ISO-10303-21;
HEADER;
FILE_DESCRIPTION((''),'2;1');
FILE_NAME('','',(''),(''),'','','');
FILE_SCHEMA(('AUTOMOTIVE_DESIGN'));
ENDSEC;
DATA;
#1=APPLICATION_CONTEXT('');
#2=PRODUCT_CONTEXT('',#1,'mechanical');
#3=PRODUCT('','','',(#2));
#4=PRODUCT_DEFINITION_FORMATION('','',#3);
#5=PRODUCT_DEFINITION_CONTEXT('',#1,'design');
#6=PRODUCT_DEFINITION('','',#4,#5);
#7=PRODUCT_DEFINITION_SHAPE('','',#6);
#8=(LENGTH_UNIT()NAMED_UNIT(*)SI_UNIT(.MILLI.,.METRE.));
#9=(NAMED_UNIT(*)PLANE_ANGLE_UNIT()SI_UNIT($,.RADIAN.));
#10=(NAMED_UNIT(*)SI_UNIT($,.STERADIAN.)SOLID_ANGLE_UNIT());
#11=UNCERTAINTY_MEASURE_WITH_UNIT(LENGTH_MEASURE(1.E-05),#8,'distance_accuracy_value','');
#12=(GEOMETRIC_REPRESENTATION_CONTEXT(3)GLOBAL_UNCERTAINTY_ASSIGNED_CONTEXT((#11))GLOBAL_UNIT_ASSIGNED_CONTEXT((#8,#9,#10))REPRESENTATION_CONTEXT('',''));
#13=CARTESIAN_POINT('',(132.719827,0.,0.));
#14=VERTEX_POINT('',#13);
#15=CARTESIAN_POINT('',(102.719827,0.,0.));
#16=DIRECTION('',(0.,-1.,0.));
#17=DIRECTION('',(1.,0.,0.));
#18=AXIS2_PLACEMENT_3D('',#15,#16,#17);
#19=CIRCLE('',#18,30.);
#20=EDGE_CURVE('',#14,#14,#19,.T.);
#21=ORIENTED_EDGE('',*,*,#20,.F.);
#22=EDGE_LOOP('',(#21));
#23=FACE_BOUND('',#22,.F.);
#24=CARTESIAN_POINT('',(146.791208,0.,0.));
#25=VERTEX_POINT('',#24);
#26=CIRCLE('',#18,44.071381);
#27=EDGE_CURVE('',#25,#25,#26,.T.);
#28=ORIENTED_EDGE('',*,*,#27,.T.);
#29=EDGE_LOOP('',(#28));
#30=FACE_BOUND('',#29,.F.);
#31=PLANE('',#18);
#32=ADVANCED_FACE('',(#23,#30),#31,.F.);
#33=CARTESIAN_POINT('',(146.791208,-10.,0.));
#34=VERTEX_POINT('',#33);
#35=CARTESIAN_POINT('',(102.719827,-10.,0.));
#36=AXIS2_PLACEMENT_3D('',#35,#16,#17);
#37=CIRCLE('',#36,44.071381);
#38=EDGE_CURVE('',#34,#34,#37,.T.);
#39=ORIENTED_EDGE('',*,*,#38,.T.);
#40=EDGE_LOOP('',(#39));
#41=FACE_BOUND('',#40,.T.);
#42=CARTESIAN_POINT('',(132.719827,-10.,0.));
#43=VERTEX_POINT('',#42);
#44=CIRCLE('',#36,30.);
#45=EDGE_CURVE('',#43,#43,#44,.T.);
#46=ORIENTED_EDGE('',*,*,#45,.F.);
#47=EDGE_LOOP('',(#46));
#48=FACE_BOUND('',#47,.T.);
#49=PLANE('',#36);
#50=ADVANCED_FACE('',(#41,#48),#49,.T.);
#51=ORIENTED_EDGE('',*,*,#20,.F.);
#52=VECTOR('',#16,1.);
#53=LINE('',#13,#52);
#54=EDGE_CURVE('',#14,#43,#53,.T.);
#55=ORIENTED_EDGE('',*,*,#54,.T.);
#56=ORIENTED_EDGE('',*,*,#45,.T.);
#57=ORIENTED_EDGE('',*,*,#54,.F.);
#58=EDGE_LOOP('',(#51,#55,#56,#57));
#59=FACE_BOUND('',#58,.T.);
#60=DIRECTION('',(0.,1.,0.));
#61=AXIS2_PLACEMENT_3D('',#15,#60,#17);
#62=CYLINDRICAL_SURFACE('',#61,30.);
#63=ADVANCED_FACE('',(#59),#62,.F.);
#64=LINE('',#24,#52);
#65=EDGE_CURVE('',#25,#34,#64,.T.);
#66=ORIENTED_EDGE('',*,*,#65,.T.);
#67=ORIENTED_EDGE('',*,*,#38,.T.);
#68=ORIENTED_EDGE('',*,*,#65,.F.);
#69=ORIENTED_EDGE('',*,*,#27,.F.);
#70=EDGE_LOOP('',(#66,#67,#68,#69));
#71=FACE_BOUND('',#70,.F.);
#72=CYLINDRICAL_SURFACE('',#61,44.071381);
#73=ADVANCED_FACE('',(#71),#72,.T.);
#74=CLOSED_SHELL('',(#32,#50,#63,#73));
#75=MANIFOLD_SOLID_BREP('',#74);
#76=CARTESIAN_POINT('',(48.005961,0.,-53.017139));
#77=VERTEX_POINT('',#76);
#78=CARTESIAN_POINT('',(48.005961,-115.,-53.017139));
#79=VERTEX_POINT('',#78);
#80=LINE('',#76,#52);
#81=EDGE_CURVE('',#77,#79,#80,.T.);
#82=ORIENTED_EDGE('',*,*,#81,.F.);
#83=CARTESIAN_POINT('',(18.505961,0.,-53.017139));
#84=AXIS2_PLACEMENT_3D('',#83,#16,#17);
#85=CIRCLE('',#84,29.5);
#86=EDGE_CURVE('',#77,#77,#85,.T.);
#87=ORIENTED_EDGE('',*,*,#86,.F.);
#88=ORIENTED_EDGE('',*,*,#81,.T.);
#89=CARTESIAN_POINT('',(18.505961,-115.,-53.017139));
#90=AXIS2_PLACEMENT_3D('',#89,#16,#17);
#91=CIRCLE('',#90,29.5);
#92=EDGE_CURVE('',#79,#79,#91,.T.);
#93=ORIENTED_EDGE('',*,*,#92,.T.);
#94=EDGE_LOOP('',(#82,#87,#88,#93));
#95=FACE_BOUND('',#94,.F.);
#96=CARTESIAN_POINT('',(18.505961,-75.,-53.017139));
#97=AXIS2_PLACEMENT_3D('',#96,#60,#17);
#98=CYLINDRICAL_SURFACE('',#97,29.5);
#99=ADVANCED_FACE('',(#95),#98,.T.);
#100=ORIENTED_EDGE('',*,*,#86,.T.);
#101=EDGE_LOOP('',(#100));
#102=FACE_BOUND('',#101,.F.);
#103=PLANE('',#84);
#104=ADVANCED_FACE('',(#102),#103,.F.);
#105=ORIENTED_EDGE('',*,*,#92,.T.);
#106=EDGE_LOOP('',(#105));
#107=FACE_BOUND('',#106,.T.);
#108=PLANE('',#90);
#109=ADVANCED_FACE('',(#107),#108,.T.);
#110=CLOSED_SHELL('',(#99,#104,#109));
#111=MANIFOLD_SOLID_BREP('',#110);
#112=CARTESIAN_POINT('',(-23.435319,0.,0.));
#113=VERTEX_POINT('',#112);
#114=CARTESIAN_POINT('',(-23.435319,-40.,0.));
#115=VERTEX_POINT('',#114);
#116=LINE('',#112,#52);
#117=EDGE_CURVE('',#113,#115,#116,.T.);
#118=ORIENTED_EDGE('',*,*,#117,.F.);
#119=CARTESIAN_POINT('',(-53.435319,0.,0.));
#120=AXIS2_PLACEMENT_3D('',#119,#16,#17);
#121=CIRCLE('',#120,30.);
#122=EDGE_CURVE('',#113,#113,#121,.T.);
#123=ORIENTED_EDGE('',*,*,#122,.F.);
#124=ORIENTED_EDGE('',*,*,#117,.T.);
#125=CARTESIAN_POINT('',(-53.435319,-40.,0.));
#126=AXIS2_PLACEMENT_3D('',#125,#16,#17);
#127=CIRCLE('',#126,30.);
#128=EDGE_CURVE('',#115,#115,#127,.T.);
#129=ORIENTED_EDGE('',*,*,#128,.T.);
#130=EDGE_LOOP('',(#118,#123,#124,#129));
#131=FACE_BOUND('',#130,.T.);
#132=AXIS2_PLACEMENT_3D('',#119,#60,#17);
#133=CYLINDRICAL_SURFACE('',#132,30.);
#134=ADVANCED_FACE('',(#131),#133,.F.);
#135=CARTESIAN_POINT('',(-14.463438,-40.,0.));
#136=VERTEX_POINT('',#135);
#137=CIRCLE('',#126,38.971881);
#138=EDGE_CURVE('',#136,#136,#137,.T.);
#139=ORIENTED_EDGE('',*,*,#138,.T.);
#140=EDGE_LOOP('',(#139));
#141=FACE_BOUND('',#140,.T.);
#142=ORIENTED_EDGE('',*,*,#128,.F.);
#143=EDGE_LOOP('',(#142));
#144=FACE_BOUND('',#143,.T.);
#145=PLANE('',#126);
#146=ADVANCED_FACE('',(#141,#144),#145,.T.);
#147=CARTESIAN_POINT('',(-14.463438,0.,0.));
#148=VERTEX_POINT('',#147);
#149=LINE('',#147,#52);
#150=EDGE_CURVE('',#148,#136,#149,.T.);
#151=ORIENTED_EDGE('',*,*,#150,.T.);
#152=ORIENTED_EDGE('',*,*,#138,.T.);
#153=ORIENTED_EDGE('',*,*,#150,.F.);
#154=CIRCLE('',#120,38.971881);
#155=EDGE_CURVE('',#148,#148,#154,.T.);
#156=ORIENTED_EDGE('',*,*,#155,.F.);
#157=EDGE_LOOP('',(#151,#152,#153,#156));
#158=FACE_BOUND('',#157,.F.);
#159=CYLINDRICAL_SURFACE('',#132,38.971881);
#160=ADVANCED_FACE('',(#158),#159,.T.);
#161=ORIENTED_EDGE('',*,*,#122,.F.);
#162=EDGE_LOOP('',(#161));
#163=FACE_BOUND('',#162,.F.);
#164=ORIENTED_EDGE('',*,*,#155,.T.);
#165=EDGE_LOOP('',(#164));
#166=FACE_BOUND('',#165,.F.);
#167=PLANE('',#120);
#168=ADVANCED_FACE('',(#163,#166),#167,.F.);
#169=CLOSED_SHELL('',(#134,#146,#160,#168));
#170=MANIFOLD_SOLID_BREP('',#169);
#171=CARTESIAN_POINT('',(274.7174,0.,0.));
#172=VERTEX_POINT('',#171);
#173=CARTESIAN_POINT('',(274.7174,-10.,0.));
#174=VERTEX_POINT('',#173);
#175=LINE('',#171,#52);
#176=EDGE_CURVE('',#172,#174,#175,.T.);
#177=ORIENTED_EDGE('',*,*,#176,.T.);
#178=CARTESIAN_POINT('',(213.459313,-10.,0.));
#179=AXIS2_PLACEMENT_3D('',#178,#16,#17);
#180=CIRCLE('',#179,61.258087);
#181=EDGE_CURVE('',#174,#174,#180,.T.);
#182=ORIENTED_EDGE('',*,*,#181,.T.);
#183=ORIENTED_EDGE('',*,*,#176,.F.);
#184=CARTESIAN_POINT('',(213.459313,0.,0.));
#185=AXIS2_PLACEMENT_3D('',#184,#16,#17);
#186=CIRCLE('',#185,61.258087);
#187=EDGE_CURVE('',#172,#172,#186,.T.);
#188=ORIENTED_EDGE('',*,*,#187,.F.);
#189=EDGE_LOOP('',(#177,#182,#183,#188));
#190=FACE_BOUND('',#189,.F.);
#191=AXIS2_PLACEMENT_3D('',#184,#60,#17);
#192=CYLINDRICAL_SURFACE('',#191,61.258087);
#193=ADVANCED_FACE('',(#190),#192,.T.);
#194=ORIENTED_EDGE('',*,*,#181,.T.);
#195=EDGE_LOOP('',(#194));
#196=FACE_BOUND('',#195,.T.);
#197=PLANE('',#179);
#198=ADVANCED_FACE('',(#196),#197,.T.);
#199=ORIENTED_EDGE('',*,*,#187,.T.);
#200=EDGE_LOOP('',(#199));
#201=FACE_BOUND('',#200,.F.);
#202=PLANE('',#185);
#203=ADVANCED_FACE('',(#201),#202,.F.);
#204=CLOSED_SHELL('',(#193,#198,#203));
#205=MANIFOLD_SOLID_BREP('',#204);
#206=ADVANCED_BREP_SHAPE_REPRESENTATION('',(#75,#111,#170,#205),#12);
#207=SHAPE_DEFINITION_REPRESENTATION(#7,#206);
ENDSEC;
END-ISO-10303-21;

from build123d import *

# Parameters (mm, degrees)
F1_W      = 24.137928909
F1_H      = 30
F0_R      = 38.9718812083
F0_R_2    = 30
F3_DEPTH  = 40
F4_R      = 44.0713811991
F4_R_2    = 30
F5_DEPTH  = 10
F6_R      = 61.2580869617
F7_DEPTH  = 10
F9_R      = 29.5
F10_DEPTH = 50
F11_DEPTH = 25
F12_R     = 29.5
F13_DEPTH = 40


with BuildPart() as f2:
    # F1 (on Front) → F2 (revolve)
    with BuildSketch(Plane.XZ):
        with Locations((22.931023988, 15)):
            Rectangle(F1_W, F1_H)
    revolve(axis=Axis((22.931023988, 0, 0), (-1, 0, 0)))


with BuildPart() as f3:
    # F0 (on Front) → F3 (new body)
    with BuildSketch(Plane.XZ):
        with Locations((-53.4353193952, 0)):
            Circle(F0_R)
        with Locations((-53.4353193952, 0)):
            Circle(F0_R_2, mode=Mode.SUBTRACT)
    extrude(amount=F3_DEPTH)


with BuildPart() as f5:
    # F4 (on Front) → F5 (new body)
    with BuildSketch(Plane.XZ):
        with Locations((102.7198269619, 0)):
            Circle(F4_R)
        with Locations((102.7198269619, 0)):
            Circle(F4_R_2, mode=Mode.SUBTRACT)
    extrude(amount=F5_DEPTH)


with BuildPart() as f7:
    # F6 (on Front) → F7 (new body)
    with BuildSketch(Plane.XZ):
        with Locations((213.4593129158, 0)):
            Circle(F6_R)
    extrude(amount=F7_DEPTH)


with BuildPart() as f10:
    # F9 (on Front) → F10 (new body)
    with BuildSketch(Plane.XZ):
        with Locations((18.5059607029, -53.0171394348)):
            Circle(F9_R)
    extrude(amount=F10_DEPTH)

    # F11 (add): a face of the model
    f11_faces = [f10.faces().sort_by_distance(p)[0] for p in [
        (18.5059607029, -50, -53.0171394348),
    ]]
    extrude(f11_faces, amount=F11_DEPTH)

    # F12 (on face) → F13 (join)
    with BuildSketch(Plane.XZ.offset(75)):
        with Locations((18.5059607029, -53.0171394348)):
            Circle(F12_R)
    extrude(amount=F13_DEPTH)


solid = Compound([f3.part, f5.part, f7.part, f10.part])
